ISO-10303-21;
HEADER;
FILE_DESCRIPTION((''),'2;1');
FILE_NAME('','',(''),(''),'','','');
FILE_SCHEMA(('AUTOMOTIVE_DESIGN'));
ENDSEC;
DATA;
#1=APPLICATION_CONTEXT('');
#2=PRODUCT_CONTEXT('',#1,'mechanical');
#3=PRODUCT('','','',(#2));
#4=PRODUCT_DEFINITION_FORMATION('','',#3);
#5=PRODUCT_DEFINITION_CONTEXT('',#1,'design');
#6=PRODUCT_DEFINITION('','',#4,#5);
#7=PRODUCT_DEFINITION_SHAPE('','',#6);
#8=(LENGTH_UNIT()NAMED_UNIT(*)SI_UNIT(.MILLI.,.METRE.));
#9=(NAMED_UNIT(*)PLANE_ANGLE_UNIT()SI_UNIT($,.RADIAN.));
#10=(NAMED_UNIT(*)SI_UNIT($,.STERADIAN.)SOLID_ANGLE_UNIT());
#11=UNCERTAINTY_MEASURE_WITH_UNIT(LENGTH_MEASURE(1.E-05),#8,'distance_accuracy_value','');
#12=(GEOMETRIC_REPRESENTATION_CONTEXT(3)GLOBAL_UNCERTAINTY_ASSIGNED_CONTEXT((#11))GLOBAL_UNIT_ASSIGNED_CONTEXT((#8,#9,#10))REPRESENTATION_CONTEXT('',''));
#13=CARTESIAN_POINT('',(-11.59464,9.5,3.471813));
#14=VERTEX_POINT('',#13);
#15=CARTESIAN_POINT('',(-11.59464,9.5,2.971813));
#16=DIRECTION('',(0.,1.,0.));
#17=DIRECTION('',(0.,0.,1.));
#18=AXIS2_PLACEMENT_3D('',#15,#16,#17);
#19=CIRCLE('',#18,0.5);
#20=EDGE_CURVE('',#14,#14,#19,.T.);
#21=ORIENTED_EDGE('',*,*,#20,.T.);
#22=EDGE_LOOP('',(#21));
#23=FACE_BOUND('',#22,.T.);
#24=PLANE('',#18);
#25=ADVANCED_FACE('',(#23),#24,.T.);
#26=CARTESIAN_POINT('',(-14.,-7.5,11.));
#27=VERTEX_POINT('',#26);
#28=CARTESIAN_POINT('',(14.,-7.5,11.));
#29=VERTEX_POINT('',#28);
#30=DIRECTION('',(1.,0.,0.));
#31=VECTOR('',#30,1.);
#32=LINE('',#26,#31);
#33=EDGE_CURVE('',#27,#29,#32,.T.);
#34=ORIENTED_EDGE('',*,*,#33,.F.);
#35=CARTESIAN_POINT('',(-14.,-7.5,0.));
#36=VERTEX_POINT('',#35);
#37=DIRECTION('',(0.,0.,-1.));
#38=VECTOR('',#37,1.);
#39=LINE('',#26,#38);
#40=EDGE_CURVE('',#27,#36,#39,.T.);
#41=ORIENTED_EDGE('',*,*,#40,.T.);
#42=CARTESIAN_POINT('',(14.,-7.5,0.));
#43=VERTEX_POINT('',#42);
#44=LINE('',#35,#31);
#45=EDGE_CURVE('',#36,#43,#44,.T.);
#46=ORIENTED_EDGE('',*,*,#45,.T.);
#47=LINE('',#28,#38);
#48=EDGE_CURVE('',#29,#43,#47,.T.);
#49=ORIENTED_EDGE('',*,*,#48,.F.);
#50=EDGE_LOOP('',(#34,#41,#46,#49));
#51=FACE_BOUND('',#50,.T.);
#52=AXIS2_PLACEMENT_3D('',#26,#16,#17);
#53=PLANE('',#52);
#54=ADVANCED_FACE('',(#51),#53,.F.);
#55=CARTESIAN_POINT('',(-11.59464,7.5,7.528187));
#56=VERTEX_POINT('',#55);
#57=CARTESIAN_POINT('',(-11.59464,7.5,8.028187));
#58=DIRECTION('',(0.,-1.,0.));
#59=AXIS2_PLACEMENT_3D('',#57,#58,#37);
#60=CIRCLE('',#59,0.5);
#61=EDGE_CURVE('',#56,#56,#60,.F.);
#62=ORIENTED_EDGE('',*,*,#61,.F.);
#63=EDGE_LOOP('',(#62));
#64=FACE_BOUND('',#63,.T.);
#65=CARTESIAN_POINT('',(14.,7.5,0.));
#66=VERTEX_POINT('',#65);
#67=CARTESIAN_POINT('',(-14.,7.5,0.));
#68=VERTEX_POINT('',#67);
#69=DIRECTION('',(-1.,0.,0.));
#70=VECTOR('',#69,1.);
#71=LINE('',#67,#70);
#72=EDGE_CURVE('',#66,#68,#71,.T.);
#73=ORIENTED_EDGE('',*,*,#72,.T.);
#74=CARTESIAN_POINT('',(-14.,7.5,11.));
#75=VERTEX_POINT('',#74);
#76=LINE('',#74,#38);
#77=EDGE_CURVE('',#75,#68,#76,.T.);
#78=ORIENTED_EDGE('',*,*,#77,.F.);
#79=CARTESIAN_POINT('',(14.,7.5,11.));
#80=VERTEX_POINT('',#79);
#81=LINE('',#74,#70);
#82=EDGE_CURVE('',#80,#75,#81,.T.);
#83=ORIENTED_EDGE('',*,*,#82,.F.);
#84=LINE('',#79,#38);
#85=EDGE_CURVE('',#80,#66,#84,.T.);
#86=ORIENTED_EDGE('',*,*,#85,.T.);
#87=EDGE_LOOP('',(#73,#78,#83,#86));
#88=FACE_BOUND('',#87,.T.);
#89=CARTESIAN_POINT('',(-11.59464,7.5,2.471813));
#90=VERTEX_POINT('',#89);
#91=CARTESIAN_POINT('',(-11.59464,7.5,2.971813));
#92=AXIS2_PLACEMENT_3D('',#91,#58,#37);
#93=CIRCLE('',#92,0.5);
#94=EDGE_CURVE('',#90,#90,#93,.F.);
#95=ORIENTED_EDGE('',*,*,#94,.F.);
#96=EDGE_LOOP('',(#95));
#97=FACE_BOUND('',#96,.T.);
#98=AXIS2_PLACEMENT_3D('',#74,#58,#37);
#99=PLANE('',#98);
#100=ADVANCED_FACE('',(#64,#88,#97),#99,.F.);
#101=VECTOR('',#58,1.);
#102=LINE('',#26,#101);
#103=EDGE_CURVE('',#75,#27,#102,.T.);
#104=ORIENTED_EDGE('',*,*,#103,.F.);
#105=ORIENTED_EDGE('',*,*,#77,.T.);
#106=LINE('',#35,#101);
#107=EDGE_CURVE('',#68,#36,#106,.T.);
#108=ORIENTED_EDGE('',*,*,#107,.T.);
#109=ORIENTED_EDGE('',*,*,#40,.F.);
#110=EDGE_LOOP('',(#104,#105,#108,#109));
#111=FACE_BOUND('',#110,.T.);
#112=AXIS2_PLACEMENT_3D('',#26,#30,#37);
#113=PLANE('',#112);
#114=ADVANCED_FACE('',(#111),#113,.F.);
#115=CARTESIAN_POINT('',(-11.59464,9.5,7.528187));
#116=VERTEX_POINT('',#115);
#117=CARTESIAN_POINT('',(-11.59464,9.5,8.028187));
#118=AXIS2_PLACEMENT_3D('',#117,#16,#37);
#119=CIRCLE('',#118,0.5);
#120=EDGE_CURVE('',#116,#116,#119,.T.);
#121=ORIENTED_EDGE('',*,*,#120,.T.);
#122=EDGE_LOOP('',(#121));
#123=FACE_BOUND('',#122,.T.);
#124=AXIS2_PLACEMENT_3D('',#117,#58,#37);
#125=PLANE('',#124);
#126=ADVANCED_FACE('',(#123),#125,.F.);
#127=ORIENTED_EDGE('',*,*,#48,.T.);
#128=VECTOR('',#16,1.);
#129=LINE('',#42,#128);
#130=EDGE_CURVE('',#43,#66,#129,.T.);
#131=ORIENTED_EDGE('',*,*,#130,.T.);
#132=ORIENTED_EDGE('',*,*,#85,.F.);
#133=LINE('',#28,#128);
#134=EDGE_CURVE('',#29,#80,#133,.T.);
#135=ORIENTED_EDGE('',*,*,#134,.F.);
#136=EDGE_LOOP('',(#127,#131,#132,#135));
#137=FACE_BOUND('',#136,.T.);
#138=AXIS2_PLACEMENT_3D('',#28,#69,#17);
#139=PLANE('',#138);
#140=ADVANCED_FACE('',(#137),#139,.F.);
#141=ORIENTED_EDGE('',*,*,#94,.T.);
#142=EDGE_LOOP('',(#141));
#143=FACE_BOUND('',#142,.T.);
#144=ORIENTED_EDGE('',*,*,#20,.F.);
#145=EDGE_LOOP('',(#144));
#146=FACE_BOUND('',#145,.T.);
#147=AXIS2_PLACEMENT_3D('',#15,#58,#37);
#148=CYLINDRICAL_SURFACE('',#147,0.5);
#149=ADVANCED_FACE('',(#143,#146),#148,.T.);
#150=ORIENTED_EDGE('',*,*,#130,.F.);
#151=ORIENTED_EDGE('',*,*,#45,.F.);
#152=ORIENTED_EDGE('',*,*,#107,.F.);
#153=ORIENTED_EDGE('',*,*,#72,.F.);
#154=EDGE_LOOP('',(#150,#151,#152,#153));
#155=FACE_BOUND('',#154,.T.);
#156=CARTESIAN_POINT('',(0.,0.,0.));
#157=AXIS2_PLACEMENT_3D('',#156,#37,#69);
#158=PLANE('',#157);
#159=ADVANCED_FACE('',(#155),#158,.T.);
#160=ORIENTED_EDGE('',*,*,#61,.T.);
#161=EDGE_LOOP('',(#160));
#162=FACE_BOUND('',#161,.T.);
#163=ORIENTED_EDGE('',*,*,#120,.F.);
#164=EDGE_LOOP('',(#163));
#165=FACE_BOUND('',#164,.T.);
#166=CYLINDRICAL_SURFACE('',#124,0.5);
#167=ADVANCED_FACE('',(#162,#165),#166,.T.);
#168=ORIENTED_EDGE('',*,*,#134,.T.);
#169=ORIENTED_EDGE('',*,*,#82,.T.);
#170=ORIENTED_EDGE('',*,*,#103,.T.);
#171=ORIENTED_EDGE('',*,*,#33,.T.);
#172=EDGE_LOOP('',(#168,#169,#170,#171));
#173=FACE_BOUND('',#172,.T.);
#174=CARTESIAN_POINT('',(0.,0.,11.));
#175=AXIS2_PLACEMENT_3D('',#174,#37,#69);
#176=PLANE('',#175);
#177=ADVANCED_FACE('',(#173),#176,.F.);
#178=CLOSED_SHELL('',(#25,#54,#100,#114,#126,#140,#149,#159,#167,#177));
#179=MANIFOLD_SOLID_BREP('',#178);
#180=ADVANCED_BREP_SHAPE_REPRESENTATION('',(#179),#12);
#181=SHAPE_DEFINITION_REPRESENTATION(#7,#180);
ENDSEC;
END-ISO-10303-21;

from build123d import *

# Parameters (mm, degrees)
SKETCH_1_W      = 28
SKETCH_1_H      = 15
EXTRUDE_1_DEPTH = 11
SKETCH_2_R      = 0.5
EXTRUDE_2_DEPTH = 2


with BuildPart() as part:
    # 草图1 → 凸台-拉伸1 (new body)
    with BuildSketch(Plane.XY):
        Rectangle(SKETCH_1_W, SKETCH_1_H)
    extrude(amount=EXTRUDE_1_DEPTH)

    # 草图2 → 凸台-拉伸2 (add)
    with BuildSketch(Plane(origin=(0, 7.5, 0), x_dir=(1, 0, 0), z_dir=(0, 1, 0))):
        with Locations(Location((-11.594640153, -2.971812887, 0), (0, 0, 90))):
            Circle(SKETCH_2_R)
        with Locations(Location((-11.594640153, -8.028187113, 0), (0, 0, 90))):
            Circle(SKETCH_2_R)
    extrude(amount=EXTRUDE_2_DEPTH)


solid = part.part
